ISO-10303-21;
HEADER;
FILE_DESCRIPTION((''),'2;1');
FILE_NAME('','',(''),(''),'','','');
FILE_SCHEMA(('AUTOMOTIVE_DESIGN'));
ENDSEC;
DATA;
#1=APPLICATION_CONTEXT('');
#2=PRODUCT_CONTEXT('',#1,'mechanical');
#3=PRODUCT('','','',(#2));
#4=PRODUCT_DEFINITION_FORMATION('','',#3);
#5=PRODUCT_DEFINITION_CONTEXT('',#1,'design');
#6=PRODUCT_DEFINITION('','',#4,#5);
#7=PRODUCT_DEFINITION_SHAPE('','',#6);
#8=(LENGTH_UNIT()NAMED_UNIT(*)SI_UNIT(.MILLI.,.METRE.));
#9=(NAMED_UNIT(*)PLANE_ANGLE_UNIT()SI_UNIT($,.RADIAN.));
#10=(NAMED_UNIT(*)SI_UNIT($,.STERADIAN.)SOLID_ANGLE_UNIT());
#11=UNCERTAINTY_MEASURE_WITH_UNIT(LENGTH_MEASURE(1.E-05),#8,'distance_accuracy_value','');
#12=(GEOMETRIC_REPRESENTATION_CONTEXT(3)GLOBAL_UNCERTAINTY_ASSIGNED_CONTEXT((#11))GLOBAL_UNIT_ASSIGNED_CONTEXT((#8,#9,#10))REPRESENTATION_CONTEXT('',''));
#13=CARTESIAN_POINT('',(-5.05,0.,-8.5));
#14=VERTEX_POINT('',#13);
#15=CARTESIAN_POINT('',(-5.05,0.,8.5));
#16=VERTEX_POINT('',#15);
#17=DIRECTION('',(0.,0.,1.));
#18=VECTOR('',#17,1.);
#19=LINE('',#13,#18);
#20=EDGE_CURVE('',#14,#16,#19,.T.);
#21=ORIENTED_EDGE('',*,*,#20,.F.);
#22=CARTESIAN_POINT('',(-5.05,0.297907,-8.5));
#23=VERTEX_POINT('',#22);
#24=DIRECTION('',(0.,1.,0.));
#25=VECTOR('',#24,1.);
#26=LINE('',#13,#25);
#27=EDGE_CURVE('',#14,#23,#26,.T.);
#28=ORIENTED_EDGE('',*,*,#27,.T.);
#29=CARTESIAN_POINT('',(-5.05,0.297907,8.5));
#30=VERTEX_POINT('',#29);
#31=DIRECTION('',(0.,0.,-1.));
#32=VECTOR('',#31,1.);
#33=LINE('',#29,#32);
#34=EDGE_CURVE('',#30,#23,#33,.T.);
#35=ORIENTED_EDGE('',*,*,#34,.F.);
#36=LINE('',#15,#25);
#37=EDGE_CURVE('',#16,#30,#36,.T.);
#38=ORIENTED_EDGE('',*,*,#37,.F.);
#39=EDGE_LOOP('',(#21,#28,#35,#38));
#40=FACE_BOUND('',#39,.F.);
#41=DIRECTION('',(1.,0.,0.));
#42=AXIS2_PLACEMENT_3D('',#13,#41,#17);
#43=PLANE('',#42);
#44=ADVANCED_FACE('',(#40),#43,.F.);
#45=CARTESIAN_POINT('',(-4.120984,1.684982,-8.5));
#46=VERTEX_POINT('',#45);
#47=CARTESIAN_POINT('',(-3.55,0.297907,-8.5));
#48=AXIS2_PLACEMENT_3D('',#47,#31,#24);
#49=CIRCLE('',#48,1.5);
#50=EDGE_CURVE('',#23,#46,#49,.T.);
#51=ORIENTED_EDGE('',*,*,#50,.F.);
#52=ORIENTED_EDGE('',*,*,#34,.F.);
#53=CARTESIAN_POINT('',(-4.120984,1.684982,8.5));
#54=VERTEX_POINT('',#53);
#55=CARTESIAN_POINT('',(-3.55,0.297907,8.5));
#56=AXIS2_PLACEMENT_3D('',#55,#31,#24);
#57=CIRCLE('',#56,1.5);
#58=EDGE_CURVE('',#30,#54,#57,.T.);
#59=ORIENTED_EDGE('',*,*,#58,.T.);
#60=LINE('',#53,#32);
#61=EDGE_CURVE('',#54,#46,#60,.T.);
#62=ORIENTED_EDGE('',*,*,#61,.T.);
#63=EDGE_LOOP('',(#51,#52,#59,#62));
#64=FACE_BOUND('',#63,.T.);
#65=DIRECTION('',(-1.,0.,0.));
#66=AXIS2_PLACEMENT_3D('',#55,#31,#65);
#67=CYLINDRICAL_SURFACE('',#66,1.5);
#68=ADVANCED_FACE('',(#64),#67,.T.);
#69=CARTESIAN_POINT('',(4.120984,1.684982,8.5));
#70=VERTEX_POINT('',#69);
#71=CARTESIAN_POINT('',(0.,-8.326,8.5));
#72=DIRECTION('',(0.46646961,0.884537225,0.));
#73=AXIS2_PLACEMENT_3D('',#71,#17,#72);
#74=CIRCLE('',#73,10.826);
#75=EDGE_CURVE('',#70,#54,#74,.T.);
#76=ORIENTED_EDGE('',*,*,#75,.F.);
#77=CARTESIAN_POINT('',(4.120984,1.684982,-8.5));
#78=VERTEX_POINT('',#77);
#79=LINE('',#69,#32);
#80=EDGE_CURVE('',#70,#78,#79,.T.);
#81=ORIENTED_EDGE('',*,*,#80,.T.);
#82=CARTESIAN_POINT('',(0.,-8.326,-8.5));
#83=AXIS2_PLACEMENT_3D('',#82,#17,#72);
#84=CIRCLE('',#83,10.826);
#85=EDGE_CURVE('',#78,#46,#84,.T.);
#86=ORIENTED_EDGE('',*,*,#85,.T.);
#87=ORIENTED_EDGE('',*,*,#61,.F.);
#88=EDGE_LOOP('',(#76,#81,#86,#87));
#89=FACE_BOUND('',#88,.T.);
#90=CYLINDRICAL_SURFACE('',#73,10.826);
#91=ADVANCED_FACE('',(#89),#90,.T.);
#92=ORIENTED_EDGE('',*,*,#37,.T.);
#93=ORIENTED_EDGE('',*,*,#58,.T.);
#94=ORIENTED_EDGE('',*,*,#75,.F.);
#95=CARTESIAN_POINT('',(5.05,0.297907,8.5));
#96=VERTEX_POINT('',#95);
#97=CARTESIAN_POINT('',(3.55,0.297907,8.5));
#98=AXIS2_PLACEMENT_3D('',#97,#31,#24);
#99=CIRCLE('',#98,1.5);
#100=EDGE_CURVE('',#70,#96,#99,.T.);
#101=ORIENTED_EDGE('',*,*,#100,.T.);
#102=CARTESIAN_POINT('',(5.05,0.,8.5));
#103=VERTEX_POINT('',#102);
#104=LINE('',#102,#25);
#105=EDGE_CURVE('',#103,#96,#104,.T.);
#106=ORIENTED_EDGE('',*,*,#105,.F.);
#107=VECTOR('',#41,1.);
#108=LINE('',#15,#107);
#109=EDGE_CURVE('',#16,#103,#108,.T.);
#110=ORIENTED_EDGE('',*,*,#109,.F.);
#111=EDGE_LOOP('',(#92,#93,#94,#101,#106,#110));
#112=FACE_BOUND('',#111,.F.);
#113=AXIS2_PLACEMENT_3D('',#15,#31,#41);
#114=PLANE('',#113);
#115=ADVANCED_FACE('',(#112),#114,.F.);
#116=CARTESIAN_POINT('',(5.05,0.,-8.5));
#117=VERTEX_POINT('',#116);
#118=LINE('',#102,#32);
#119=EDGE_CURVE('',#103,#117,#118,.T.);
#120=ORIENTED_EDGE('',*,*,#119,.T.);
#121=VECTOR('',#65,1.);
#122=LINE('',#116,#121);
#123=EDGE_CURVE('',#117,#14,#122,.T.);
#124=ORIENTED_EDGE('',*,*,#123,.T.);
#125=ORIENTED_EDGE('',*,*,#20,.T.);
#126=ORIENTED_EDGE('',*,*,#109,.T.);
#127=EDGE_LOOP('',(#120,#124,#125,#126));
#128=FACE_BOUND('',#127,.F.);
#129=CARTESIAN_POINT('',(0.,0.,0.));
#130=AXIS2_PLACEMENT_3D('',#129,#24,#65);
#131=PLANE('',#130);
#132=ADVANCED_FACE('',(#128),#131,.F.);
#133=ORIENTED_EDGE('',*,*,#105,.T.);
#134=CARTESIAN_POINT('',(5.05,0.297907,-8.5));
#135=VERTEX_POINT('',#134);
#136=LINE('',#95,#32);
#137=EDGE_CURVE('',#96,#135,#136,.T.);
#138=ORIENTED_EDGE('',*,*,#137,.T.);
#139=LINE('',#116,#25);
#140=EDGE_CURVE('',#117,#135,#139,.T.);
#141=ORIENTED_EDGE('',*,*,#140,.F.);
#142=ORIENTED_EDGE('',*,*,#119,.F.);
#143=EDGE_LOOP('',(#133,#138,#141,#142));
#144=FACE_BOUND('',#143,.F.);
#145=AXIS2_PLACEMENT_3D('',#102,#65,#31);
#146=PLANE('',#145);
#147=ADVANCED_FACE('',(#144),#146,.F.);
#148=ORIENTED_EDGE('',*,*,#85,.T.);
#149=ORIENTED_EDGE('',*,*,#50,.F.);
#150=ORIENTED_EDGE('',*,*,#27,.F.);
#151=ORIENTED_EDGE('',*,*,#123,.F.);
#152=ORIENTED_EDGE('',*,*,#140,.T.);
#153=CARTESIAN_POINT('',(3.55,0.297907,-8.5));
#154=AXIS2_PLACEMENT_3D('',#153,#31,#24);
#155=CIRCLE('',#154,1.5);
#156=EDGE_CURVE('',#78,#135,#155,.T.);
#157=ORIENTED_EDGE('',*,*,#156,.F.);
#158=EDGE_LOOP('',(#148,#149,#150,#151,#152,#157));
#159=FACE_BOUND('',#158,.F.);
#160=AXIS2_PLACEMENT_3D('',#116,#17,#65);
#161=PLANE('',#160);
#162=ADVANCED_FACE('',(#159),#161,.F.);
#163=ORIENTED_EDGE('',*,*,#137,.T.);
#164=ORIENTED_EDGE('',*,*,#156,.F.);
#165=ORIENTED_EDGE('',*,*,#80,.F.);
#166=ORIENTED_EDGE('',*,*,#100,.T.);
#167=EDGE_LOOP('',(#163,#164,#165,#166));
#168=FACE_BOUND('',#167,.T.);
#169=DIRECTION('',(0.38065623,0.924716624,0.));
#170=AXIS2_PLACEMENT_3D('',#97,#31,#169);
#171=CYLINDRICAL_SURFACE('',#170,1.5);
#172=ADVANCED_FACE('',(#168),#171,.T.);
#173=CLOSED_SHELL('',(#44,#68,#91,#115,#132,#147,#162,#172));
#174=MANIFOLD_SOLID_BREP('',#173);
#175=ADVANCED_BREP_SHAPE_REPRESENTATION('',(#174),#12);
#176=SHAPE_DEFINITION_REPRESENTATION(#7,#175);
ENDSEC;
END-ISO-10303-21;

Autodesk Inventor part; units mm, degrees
ref_plane "YZ Plane" through (0, 0, 0) normal (1, 0, 0) x (0, 1, 0)
ref_plane "XZ Plane" through (0, 0, 0) normal (0, 1, 0) x (-1, 0, 0)
ref_plane "XY Plane" through (0, 0, 0) normal (0, 0, 1) x (1, 0, 0)
sketch "Sketch1" plane through (0, 0, 0) normal (0, 1, 0) x (-1, 0, 0)
  line L0 (5.05, 8.5) -> (-5.05, 8.5)
  line L1 (-5.05, 8.5) -> (-5.05, -8.5)
  line L2 (-5.05, -8.5) -> (5.05, -8.5)
  line L3 (5.05, -8.5) -> (5.05, 8.5)
  line L4 (5.05, 8.5) -> (-5.05, -8.5) construction
  line L5 (-5.05, 8.5) -> (5.05, -8.5) construction
  point P0 (0, 0)
  dimension "d0" = 10.1
  dimension "d1" = 17
extrude "Extrusion1" add sketch "Sketch1" along normal blind 2.5
sketch "Sketch2" plane through (-5.05, 0, 8.5) normal (0, 0, 1) x (1, 0, 0)
  line L0 (10.1, 0) -> (10.1, 2.5) projected
  line L1 (0, 0) -> (0, 2.5) projected
  arc A0 (10.1, 1.25) -> (0, 1.25) centre (5.05, -8.326) ccw
  line L2 (10.1, 0) -> (0, 0) projected
  line L3 (0, 0) -> (10.1, 0)
  line L4 (10.1, 0) -> (10.1, 1.25)
  point P0 (5.05, 0)
extrude "Extrusion2" cut sketch "Sketch2" against normal blind 18.1375 keep common part
fillet "Fillet1" radius 1.5 2 edges at (-5.05, 1.25, 0) (5.05, 1.25, 0)
properties part number "LED-streifen"
